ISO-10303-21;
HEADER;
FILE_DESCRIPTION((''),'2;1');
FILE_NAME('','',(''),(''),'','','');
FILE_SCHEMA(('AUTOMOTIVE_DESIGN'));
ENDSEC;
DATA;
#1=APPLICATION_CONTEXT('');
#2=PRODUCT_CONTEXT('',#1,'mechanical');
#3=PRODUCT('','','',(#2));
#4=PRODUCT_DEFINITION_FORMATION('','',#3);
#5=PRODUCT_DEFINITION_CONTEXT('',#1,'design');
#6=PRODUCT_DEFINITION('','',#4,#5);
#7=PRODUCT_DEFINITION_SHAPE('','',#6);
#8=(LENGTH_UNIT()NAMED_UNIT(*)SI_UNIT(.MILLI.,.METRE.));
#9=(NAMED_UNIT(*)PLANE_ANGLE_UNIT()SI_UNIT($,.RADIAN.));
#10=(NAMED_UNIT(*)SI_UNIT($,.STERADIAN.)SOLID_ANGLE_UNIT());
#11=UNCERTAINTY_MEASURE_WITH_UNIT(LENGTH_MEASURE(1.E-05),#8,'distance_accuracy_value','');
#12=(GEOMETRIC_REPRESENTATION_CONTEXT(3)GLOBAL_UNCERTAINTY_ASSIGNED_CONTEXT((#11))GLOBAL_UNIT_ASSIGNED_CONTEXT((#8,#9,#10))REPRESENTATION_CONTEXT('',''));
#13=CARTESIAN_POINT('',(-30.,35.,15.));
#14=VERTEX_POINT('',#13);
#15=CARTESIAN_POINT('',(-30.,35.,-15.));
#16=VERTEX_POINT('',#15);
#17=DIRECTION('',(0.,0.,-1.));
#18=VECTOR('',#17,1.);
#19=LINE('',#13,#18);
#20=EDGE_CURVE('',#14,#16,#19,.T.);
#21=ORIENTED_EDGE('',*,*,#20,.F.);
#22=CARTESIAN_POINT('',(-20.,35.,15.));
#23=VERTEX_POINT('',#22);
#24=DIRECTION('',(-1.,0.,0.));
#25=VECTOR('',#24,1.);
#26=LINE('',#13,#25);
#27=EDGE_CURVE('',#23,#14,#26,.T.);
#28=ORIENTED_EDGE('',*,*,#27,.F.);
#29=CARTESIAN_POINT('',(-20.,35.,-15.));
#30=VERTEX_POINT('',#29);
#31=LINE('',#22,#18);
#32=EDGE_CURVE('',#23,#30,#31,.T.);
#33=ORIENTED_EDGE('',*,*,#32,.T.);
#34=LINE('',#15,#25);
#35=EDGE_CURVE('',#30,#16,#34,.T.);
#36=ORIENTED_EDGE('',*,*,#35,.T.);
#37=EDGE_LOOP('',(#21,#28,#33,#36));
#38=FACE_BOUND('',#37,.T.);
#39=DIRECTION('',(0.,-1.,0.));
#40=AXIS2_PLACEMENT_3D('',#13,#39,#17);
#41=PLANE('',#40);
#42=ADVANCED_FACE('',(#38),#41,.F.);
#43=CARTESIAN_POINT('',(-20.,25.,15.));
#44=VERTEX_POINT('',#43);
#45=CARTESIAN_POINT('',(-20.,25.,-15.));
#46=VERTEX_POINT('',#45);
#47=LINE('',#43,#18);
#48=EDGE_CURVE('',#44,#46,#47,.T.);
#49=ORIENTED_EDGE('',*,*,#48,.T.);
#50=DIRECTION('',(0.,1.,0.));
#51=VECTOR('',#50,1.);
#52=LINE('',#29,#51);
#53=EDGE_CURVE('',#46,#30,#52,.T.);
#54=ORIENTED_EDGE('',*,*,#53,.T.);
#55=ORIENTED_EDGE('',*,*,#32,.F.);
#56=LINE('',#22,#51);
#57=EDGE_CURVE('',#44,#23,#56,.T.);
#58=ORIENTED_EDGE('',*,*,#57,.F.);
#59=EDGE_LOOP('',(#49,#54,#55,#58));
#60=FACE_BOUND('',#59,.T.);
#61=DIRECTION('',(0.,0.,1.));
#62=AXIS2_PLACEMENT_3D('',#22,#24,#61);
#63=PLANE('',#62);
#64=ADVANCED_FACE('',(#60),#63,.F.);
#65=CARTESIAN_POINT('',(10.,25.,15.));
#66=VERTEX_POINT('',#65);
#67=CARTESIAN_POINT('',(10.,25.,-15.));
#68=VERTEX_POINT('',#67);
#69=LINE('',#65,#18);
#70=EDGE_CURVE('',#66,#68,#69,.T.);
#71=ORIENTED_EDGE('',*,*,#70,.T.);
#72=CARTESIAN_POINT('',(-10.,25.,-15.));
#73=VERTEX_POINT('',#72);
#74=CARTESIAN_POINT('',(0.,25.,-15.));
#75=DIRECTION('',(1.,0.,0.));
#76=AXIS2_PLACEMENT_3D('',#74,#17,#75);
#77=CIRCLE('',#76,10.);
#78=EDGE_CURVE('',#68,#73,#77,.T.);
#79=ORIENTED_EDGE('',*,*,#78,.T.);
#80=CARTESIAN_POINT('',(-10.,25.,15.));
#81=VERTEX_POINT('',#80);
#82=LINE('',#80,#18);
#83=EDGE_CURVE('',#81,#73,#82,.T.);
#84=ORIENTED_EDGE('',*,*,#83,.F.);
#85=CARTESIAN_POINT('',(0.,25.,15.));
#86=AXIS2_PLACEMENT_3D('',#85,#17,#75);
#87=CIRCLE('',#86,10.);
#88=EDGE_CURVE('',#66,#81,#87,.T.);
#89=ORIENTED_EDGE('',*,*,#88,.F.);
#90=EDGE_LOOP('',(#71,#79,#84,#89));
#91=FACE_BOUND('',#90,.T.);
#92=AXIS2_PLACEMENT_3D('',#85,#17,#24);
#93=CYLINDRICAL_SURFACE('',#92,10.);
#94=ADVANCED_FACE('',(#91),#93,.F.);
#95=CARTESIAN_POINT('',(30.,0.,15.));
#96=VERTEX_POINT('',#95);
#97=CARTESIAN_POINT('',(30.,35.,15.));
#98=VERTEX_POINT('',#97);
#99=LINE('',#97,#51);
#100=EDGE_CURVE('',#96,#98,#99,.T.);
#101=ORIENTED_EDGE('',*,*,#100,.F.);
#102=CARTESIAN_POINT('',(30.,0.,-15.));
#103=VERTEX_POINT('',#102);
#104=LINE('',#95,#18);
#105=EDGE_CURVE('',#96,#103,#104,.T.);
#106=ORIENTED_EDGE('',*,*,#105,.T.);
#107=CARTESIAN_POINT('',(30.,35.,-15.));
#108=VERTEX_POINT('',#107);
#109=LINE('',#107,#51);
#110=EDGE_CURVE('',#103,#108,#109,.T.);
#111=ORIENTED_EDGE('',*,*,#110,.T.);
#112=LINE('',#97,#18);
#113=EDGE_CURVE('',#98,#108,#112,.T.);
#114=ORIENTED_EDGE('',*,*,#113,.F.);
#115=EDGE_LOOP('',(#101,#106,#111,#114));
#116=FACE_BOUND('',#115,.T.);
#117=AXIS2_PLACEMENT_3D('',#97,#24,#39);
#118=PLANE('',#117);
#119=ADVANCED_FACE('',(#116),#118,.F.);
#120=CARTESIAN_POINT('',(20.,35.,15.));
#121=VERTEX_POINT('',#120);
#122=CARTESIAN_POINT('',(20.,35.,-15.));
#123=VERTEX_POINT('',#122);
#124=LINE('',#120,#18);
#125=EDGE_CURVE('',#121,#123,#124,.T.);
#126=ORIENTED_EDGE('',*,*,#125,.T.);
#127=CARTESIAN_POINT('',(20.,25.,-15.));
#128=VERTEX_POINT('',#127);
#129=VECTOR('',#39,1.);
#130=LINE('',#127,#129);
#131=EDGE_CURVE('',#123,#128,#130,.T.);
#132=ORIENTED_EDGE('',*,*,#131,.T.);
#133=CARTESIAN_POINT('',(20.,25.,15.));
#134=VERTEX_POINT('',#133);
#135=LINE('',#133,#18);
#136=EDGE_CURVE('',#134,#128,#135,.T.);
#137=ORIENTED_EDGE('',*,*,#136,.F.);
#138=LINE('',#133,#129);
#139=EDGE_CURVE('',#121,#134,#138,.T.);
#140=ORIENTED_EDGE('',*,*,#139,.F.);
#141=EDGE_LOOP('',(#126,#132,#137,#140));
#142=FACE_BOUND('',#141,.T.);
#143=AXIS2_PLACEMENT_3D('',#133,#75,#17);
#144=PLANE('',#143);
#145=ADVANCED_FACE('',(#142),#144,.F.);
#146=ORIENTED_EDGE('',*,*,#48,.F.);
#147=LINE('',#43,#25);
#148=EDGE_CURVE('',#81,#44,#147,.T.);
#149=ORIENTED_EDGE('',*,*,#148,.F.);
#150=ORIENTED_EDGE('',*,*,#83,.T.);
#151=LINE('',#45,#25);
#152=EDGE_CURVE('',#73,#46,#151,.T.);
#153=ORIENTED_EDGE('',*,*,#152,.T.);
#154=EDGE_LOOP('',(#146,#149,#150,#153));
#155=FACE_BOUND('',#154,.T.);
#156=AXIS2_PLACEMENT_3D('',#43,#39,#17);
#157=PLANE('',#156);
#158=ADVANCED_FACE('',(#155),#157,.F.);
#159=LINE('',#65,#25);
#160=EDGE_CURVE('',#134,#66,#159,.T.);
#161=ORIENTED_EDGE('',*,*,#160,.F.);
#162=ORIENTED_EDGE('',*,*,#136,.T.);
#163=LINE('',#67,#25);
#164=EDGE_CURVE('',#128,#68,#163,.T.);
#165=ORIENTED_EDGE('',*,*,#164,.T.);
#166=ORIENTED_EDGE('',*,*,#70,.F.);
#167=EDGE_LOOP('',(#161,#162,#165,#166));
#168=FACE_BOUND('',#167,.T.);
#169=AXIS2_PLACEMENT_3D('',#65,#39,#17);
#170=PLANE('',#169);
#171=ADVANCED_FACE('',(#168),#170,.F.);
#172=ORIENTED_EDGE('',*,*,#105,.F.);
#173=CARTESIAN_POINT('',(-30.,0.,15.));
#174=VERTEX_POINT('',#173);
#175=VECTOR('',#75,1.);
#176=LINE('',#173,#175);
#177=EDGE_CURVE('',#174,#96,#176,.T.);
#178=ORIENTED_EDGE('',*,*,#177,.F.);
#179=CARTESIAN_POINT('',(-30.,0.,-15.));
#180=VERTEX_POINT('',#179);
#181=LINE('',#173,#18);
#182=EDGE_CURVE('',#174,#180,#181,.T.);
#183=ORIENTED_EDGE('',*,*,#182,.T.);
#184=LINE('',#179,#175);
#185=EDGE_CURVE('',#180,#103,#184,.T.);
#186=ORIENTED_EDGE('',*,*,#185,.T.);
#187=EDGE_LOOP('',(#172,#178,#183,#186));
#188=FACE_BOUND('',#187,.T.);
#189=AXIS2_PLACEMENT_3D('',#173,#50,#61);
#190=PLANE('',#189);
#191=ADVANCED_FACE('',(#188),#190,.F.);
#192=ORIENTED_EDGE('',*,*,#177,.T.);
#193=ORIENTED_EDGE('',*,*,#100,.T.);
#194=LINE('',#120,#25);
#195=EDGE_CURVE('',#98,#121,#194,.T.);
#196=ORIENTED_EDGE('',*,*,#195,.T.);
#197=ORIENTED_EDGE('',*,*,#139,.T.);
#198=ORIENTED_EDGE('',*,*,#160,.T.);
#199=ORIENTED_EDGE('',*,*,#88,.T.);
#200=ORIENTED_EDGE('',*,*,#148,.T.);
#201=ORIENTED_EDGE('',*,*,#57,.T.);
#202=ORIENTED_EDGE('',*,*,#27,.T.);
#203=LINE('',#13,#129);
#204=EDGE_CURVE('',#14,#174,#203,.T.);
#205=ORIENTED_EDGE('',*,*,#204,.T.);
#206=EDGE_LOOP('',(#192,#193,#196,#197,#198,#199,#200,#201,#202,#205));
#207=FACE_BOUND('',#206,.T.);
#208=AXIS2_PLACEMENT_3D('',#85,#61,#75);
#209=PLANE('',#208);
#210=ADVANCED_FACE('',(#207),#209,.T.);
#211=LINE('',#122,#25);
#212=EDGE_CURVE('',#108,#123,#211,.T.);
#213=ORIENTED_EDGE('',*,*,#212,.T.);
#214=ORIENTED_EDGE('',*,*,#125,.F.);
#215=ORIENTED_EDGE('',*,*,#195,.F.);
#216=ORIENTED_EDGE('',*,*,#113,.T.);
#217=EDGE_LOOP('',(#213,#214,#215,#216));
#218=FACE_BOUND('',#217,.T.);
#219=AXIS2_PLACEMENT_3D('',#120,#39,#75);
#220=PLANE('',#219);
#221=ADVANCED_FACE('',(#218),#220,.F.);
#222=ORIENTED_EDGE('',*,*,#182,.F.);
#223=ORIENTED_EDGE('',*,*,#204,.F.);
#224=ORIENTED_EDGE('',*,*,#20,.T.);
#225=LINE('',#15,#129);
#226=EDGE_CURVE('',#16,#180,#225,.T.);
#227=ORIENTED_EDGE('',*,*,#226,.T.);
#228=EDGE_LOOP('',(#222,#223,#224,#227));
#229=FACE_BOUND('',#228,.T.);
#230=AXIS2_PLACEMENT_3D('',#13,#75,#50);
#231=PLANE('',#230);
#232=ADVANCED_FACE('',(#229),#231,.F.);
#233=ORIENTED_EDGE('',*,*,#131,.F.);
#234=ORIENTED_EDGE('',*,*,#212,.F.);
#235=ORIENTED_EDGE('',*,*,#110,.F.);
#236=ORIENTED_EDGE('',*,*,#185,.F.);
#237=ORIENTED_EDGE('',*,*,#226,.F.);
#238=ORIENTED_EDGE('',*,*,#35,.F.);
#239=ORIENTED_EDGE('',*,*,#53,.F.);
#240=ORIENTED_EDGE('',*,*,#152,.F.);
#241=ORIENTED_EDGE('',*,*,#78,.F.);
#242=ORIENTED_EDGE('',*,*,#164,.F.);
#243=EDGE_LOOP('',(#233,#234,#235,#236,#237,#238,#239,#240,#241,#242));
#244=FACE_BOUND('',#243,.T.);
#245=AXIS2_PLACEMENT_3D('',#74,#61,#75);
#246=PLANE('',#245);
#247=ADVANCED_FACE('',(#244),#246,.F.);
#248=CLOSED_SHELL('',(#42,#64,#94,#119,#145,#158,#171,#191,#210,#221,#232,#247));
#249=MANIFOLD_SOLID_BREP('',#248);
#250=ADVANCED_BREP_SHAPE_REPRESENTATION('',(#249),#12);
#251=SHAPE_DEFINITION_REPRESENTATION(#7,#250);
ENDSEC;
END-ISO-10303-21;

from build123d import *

# Parameters (mm, degrees)
BOSS_EXTRUDE1_DEPTH = 15


with BuildPart() as part:
    # Sketch1 → Boss-Extrude1 (new, symmetric)
    with BuildSketch(Plane.XY):
        with BuildLine():
            Line((-20, 35), (-20, 25))
            Line((-20, 25), (-10, 25))
            ThreePointArc((-10, 25), (0, 15), (10, 25))
            Line((10, 25), (20, 25))
            Line((20, 25), (20, 35))
            Line((20, 35), (30, 35))
            Line((30, 35), (30, 0))
            Line((30, 0), (-30, 0))
            Line((-30, 0), (-30, 35))
            Line((-30, 35), (-20, 35))
        make_face()
    extrude(amount=BOSS_EXTRUDE1_DEPTH, both=True)


solid = part.part
